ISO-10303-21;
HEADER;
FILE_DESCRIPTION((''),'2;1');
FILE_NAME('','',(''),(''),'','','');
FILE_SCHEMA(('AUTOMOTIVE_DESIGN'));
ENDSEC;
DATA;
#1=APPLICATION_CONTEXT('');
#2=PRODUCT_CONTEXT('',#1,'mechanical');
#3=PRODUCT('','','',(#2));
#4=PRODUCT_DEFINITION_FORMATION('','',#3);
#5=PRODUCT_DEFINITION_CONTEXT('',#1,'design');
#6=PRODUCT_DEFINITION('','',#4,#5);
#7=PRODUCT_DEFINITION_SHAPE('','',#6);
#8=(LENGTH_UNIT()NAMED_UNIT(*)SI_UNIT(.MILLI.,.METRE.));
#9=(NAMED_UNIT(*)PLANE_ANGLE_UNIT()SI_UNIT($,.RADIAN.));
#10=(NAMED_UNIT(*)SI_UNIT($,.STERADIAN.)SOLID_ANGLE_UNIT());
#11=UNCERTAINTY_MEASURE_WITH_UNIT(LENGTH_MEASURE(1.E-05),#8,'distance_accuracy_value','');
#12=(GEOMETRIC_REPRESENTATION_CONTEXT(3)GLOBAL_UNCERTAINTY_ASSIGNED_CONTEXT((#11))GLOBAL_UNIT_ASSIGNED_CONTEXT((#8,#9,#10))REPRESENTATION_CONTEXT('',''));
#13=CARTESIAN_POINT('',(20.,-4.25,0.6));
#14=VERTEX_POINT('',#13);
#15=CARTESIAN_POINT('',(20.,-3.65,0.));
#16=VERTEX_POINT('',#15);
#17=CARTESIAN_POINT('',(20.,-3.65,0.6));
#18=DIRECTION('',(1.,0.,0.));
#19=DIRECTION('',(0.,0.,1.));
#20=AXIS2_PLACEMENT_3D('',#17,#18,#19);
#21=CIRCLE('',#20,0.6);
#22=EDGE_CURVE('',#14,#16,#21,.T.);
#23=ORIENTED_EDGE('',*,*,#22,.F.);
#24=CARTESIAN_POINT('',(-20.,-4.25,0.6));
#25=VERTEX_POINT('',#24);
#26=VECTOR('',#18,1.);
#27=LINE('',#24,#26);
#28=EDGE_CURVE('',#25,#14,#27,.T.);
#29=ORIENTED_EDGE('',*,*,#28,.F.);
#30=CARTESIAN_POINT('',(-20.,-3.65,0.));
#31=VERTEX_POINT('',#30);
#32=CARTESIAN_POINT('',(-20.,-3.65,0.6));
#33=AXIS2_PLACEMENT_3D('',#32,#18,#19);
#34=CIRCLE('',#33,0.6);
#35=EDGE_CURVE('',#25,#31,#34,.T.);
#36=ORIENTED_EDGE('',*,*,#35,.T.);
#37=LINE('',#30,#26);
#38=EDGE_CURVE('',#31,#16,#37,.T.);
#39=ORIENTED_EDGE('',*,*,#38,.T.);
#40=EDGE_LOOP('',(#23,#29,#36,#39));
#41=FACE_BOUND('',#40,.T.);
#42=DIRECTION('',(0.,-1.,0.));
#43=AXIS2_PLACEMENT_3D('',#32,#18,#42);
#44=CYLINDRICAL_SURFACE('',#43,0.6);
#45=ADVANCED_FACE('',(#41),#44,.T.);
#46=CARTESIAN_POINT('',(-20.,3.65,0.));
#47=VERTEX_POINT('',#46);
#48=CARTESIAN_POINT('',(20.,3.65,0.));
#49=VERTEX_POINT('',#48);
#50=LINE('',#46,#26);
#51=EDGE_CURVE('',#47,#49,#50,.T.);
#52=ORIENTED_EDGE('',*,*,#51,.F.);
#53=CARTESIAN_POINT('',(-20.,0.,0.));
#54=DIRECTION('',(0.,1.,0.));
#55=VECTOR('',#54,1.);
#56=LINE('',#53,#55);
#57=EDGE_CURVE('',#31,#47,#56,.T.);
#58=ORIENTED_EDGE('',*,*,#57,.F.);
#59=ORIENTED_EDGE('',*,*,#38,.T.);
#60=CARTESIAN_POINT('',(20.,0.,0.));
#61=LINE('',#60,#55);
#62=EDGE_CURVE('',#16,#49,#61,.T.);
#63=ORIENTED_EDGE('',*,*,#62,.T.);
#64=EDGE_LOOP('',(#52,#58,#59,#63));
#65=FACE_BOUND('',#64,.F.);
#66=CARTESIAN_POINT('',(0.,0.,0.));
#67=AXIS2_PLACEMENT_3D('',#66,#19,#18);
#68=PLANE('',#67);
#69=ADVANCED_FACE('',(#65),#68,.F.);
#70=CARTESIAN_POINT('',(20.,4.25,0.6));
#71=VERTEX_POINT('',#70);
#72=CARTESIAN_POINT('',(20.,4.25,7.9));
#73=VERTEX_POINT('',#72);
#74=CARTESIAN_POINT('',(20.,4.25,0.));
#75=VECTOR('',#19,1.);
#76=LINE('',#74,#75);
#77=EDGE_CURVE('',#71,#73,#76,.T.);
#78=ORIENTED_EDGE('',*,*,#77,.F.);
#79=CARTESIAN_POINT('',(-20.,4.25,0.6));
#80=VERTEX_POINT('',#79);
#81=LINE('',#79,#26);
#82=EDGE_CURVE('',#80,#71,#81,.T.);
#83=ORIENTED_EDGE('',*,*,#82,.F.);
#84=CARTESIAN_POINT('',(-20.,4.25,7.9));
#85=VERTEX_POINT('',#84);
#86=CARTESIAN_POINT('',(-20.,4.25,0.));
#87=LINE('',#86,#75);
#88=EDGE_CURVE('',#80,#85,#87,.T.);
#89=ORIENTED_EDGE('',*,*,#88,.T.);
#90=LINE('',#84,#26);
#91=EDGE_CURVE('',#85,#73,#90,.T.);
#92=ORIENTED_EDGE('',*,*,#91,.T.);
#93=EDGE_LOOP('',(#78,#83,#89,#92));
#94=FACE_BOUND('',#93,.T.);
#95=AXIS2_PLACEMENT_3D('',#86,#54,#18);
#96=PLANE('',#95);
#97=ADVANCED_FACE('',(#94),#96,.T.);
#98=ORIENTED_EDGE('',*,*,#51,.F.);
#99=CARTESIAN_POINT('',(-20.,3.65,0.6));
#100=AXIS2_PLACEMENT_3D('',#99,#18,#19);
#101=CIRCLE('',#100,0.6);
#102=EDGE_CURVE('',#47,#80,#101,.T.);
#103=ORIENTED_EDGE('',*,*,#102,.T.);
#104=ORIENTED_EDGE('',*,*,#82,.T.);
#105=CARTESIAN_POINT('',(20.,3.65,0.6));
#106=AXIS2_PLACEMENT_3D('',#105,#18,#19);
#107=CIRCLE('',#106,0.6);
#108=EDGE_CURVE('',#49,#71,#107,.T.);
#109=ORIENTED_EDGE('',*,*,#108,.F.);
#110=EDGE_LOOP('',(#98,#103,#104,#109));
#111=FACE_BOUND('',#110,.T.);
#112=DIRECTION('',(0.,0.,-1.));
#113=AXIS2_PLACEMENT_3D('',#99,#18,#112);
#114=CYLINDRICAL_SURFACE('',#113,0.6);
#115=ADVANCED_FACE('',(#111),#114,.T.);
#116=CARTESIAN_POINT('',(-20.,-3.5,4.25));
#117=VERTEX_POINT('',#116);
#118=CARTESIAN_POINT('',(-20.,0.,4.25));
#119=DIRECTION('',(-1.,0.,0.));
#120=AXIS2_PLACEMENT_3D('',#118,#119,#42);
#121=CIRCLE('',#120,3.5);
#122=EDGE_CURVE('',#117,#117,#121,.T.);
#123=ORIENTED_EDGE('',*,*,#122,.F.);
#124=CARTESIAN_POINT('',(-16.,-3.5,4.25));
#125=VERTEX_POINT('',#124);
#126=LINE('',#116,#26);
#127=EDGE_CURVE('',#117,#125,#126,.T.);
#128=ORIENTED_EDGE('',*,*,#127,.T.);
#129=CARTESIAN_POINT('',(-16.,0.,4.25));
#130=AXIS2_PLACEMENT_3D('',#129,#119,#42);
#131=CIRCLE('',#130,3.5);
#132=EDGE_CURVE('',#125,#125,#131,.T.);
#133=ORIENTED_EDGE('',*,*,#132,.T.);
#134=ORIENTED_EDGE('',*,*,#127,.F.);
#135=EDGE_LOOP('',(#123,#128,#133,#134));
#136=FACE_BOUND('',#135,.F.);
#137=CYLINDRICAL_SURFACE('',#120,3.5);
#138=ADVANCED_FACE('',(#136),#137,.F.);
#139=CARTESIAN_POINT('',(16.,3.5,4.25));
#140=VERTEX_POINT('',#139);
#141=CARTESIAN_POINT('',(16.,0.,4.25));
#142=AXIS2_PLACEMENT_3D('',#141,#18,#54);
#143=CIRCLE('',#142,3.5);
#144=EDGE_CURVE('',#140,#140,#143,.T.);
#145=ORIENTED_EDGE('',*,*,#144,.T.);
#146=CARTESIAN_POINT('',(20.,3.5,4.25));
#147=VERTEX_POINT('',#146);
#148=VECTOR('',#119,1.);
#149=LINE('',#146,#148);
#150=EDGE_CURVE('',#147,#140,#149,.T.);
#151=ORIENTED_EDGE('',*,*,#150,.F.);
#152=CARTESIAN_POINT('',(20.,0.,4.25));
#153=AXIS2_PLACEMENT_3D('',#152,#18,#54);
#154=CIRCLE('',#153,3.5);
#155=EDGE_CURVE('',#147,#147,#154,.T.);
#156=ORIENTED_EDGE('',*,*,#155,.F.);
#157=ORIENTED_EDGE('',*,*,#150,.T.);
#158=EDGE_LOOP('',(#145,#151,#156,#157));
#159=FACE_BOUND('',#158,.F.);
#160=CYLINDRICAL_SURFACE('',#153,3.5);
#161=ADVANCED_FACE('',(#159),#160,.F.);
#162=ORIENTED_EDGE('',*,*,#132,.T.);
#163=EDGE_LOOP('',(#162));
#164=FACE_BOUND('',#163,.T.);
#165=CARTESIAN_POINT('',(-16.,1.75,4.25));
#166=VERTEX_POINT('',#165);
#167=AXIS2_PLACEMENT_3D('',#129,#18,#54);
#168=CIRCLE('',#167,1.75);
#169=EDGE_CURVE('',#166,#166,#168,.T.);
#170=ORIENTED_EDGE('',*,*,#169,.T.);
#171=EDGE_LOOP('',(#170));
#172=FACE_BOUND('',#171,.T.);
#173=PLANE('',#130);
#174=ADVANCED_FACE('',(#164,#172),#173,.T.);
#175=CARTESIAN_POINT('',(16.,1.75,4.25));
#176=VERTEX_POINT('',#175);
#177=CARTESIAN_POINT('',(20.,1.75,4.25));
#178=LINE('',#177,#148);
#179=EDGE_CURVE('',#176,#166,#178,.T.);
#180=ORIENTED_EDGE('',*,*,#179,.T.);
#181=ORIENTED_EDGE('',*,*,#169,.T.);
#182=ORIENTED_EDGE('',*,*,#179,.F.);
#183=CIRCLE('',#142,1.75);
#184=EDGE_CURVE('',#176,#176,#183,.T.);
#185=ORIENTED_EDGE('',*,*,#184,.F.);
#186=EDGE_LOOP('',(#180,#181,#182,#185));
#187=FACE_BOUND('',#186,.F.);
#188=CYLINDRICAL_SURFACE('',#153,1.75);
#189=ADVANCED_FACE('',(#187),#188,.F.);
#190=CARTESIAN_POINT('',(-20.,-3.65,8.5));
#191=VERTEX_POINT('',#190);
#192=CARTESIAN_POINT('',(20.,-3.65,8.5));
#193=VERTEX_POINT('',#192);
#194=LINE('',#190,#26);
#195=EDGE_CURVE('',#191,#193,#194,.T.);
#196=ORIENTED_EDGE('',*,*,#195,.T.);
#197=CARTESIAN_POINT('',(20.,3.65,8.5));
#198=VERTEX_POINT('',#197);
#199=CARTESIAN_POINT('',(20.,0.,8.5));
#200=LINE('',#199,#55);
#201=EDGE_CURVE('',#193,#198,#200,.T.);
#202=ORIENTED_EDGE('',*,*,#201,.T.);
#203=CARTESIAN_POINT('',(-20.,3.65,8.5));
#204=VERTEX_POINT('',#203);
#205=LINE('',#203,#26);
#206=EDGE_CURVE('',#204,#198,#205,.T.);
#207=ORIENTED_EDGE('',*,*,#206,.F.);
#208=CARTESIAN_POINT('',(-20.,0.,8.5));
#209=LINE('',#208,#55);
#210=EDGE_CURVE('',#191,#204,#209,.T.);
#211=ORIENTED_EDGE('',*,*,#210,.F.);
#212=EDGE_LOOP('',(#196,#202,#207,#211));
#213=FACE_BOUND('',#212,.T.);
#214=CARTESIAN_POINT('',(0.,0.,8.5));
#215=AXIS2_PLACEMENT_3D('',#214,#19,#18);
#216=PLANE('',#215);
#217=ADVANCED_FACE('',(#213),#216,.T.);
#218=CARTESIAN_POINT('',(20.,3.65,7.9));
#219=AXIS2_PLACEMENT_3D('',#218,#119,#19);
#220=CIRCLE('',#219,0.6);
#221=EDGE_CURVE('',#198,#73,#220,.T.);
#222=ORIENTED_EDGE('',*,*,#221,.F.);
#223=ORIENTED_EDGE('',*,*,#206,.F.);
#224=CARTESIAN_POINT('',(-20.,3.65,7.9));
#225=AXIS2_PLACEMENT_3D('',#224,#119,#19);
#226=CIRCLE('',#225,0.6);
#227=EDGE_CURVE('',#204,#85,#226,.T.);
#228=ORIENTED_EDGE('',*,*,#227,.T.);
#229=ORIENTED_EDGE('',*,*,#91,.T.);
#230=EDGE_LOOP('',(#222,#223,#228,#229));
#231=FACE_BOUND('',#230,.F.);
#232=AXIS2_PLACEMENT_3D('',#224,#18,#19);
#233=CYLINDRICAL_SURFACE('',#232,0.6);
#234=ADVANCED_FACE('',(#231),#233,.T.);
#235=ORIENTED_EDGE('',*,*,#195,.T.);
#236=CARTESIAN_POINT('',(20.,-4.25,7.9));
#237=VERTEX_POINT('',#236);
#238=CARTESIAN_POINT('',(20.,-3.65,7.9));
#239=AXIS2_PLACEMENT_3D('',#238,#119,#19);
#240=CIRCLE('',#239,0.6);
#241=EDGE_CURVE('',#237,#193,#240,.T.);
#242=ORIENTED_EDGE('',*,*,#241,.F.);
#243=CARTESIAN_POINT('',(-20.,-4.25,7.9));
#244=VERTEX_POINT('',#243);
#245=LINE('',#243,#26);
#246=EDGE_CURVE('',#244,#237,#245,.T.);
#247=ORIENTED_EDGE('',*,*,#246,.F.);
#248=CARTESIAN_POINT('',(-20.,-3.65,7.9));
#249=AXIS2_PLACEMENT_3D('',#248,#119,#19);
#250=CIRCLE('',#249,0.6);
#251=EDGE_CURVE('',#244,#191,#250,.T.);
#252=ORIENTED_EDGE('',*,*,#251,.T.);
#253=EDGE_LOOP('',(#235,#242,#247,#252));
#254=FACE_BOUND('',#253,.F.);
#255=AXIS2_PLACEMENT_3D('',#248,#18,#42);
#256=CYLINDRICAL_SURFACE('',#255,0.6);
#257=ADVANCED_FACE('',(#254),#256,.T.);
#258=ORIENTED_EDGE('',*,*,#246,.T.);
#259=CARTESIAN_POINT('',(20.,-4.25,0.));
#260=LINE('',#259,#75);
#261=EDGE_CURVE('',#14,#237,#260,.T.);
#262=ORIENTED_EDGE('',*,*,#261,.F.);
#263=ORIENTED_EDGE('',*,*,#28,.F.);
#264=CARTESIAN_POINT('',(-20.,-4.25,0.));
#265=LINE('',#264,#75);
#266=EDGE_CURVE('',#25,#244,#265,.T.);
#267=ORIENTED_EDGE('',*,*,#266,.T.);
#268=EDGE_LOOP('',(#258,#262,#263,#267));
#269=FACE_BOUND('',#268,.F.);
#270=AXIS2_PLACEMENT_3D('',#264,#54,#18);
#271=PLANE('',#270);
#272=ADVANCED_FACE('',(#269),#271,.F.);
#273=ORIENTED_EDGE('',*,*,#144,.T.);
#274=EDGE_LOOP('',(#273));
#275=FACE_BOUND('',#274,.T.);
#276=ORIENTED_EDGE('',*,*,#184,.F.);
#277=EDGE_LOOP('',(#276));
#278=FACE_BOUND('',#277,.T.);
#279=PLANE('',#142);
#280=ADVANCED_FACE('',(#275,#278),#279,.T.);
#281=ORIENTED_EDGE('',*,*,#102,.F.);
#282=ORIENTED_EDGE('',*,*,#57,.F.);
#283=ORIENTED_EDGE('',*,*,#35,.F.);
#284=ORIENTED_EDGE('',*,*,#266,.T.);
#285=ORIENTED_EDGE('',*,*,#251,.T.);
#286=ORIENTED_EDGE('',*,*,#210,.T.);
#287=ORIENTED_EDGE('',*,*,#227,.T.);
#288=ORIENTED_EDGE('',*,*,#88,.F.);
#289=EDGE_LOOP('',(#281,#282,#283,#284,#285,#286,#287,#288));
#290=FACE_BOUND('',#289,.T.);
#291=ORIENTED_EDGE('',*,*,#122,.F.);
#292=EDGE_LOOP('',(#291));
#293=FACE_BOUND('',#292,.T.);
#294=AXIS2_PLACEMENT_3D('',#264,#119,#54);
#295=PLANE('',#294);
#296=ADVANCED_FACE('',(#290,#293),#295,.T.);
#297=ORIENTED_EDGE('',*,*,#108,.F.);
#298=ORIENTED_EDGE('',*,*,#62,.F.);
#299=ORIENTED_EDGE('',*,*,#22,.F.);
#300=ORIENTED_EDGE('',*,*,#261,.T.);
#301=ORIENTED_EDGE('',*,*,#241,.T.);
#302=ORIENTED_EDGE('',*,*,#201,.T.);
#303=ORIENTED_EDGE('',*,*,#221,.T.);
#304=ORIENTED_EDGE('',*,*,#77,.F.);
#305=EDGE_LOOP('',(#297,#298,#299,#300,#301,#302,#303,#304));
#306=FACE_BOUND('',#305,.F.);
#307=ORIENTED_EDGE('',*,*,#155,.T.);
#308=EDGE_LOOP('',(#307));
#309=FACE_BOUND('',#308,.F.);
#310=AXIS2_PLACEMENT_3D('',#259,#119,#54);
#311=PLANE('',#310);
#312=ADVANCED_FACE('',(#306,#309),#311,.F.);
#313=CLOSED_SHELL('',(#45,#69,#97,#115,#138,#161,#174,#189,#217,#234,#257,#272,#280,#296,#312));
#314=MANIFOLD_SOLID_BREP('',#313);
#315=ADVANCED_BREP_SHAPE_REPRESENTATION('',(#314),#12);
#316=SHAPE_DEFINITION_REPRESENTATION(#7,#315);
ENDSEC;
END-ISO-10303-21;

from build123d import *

# Parameters (mm, degrees)
F0_W     = 40
F0_H     = 8.5
F1_DEPTH = 8.5
F2_R     = 1.75
F3_DEPTH = 40
F2_R_2   = 3.5
F4_DEPTH = 4
F5_R     = 3.5
F6_DEPTH = 4
F7_R     = 0.6


with BuildPart() as f1:
    # F0 (on Top) → F1 (new body)
    with BuildSketch(Plane.XY):
        Rectangle(F0_W, F0_H)
    extrude(amount=F1_DEPTH)

    # F2 (on face) → F3 (cut)
    with BuildSketch(Plane.YZ.offset(20)):
        with Locations((0, 4.25)):
            Circle(F2_R)
    extrude(amount=-F3_DEPTH, mode=Mode.SUBTRACT)

    # F2 (on face) → F4 (cut)
    with BuildSketch(Plane.YZ.offset(20)):
        with Locations((0, 4.25)):
            Circle(F2_R_2)
        with Locations((0, 4.25)):
            Circle(F2_R, mode=Mode.SUBTRACT)
    extrude(amount=-F4_DEPTH, mode=Mode.SUBTRACT)

    # F5 (on face) → F6 (cut)
    with BuildSketch(Plane(origin=(-20, 0, 0), x_dir=(0, -1, 0), z_dir=(-1, 0, 0))):
        with Locations((0, 4.25)):
            Circle(F5_R)
    extrude(amount=-F6_DEPTH, mode=Mode.SUBTRACT)

    # F7
    f7_edges = [f1.edges().sort_by_distance(p)[0] for p in [
        (0, 4.25, 8.5),
        (0, 4.25, 0),
        (0, -4.25, 8.5),
        (0, -4.25, 0),
    ]]
    fillet(f7_edges, radius=F7_R)


solid = f1.part
